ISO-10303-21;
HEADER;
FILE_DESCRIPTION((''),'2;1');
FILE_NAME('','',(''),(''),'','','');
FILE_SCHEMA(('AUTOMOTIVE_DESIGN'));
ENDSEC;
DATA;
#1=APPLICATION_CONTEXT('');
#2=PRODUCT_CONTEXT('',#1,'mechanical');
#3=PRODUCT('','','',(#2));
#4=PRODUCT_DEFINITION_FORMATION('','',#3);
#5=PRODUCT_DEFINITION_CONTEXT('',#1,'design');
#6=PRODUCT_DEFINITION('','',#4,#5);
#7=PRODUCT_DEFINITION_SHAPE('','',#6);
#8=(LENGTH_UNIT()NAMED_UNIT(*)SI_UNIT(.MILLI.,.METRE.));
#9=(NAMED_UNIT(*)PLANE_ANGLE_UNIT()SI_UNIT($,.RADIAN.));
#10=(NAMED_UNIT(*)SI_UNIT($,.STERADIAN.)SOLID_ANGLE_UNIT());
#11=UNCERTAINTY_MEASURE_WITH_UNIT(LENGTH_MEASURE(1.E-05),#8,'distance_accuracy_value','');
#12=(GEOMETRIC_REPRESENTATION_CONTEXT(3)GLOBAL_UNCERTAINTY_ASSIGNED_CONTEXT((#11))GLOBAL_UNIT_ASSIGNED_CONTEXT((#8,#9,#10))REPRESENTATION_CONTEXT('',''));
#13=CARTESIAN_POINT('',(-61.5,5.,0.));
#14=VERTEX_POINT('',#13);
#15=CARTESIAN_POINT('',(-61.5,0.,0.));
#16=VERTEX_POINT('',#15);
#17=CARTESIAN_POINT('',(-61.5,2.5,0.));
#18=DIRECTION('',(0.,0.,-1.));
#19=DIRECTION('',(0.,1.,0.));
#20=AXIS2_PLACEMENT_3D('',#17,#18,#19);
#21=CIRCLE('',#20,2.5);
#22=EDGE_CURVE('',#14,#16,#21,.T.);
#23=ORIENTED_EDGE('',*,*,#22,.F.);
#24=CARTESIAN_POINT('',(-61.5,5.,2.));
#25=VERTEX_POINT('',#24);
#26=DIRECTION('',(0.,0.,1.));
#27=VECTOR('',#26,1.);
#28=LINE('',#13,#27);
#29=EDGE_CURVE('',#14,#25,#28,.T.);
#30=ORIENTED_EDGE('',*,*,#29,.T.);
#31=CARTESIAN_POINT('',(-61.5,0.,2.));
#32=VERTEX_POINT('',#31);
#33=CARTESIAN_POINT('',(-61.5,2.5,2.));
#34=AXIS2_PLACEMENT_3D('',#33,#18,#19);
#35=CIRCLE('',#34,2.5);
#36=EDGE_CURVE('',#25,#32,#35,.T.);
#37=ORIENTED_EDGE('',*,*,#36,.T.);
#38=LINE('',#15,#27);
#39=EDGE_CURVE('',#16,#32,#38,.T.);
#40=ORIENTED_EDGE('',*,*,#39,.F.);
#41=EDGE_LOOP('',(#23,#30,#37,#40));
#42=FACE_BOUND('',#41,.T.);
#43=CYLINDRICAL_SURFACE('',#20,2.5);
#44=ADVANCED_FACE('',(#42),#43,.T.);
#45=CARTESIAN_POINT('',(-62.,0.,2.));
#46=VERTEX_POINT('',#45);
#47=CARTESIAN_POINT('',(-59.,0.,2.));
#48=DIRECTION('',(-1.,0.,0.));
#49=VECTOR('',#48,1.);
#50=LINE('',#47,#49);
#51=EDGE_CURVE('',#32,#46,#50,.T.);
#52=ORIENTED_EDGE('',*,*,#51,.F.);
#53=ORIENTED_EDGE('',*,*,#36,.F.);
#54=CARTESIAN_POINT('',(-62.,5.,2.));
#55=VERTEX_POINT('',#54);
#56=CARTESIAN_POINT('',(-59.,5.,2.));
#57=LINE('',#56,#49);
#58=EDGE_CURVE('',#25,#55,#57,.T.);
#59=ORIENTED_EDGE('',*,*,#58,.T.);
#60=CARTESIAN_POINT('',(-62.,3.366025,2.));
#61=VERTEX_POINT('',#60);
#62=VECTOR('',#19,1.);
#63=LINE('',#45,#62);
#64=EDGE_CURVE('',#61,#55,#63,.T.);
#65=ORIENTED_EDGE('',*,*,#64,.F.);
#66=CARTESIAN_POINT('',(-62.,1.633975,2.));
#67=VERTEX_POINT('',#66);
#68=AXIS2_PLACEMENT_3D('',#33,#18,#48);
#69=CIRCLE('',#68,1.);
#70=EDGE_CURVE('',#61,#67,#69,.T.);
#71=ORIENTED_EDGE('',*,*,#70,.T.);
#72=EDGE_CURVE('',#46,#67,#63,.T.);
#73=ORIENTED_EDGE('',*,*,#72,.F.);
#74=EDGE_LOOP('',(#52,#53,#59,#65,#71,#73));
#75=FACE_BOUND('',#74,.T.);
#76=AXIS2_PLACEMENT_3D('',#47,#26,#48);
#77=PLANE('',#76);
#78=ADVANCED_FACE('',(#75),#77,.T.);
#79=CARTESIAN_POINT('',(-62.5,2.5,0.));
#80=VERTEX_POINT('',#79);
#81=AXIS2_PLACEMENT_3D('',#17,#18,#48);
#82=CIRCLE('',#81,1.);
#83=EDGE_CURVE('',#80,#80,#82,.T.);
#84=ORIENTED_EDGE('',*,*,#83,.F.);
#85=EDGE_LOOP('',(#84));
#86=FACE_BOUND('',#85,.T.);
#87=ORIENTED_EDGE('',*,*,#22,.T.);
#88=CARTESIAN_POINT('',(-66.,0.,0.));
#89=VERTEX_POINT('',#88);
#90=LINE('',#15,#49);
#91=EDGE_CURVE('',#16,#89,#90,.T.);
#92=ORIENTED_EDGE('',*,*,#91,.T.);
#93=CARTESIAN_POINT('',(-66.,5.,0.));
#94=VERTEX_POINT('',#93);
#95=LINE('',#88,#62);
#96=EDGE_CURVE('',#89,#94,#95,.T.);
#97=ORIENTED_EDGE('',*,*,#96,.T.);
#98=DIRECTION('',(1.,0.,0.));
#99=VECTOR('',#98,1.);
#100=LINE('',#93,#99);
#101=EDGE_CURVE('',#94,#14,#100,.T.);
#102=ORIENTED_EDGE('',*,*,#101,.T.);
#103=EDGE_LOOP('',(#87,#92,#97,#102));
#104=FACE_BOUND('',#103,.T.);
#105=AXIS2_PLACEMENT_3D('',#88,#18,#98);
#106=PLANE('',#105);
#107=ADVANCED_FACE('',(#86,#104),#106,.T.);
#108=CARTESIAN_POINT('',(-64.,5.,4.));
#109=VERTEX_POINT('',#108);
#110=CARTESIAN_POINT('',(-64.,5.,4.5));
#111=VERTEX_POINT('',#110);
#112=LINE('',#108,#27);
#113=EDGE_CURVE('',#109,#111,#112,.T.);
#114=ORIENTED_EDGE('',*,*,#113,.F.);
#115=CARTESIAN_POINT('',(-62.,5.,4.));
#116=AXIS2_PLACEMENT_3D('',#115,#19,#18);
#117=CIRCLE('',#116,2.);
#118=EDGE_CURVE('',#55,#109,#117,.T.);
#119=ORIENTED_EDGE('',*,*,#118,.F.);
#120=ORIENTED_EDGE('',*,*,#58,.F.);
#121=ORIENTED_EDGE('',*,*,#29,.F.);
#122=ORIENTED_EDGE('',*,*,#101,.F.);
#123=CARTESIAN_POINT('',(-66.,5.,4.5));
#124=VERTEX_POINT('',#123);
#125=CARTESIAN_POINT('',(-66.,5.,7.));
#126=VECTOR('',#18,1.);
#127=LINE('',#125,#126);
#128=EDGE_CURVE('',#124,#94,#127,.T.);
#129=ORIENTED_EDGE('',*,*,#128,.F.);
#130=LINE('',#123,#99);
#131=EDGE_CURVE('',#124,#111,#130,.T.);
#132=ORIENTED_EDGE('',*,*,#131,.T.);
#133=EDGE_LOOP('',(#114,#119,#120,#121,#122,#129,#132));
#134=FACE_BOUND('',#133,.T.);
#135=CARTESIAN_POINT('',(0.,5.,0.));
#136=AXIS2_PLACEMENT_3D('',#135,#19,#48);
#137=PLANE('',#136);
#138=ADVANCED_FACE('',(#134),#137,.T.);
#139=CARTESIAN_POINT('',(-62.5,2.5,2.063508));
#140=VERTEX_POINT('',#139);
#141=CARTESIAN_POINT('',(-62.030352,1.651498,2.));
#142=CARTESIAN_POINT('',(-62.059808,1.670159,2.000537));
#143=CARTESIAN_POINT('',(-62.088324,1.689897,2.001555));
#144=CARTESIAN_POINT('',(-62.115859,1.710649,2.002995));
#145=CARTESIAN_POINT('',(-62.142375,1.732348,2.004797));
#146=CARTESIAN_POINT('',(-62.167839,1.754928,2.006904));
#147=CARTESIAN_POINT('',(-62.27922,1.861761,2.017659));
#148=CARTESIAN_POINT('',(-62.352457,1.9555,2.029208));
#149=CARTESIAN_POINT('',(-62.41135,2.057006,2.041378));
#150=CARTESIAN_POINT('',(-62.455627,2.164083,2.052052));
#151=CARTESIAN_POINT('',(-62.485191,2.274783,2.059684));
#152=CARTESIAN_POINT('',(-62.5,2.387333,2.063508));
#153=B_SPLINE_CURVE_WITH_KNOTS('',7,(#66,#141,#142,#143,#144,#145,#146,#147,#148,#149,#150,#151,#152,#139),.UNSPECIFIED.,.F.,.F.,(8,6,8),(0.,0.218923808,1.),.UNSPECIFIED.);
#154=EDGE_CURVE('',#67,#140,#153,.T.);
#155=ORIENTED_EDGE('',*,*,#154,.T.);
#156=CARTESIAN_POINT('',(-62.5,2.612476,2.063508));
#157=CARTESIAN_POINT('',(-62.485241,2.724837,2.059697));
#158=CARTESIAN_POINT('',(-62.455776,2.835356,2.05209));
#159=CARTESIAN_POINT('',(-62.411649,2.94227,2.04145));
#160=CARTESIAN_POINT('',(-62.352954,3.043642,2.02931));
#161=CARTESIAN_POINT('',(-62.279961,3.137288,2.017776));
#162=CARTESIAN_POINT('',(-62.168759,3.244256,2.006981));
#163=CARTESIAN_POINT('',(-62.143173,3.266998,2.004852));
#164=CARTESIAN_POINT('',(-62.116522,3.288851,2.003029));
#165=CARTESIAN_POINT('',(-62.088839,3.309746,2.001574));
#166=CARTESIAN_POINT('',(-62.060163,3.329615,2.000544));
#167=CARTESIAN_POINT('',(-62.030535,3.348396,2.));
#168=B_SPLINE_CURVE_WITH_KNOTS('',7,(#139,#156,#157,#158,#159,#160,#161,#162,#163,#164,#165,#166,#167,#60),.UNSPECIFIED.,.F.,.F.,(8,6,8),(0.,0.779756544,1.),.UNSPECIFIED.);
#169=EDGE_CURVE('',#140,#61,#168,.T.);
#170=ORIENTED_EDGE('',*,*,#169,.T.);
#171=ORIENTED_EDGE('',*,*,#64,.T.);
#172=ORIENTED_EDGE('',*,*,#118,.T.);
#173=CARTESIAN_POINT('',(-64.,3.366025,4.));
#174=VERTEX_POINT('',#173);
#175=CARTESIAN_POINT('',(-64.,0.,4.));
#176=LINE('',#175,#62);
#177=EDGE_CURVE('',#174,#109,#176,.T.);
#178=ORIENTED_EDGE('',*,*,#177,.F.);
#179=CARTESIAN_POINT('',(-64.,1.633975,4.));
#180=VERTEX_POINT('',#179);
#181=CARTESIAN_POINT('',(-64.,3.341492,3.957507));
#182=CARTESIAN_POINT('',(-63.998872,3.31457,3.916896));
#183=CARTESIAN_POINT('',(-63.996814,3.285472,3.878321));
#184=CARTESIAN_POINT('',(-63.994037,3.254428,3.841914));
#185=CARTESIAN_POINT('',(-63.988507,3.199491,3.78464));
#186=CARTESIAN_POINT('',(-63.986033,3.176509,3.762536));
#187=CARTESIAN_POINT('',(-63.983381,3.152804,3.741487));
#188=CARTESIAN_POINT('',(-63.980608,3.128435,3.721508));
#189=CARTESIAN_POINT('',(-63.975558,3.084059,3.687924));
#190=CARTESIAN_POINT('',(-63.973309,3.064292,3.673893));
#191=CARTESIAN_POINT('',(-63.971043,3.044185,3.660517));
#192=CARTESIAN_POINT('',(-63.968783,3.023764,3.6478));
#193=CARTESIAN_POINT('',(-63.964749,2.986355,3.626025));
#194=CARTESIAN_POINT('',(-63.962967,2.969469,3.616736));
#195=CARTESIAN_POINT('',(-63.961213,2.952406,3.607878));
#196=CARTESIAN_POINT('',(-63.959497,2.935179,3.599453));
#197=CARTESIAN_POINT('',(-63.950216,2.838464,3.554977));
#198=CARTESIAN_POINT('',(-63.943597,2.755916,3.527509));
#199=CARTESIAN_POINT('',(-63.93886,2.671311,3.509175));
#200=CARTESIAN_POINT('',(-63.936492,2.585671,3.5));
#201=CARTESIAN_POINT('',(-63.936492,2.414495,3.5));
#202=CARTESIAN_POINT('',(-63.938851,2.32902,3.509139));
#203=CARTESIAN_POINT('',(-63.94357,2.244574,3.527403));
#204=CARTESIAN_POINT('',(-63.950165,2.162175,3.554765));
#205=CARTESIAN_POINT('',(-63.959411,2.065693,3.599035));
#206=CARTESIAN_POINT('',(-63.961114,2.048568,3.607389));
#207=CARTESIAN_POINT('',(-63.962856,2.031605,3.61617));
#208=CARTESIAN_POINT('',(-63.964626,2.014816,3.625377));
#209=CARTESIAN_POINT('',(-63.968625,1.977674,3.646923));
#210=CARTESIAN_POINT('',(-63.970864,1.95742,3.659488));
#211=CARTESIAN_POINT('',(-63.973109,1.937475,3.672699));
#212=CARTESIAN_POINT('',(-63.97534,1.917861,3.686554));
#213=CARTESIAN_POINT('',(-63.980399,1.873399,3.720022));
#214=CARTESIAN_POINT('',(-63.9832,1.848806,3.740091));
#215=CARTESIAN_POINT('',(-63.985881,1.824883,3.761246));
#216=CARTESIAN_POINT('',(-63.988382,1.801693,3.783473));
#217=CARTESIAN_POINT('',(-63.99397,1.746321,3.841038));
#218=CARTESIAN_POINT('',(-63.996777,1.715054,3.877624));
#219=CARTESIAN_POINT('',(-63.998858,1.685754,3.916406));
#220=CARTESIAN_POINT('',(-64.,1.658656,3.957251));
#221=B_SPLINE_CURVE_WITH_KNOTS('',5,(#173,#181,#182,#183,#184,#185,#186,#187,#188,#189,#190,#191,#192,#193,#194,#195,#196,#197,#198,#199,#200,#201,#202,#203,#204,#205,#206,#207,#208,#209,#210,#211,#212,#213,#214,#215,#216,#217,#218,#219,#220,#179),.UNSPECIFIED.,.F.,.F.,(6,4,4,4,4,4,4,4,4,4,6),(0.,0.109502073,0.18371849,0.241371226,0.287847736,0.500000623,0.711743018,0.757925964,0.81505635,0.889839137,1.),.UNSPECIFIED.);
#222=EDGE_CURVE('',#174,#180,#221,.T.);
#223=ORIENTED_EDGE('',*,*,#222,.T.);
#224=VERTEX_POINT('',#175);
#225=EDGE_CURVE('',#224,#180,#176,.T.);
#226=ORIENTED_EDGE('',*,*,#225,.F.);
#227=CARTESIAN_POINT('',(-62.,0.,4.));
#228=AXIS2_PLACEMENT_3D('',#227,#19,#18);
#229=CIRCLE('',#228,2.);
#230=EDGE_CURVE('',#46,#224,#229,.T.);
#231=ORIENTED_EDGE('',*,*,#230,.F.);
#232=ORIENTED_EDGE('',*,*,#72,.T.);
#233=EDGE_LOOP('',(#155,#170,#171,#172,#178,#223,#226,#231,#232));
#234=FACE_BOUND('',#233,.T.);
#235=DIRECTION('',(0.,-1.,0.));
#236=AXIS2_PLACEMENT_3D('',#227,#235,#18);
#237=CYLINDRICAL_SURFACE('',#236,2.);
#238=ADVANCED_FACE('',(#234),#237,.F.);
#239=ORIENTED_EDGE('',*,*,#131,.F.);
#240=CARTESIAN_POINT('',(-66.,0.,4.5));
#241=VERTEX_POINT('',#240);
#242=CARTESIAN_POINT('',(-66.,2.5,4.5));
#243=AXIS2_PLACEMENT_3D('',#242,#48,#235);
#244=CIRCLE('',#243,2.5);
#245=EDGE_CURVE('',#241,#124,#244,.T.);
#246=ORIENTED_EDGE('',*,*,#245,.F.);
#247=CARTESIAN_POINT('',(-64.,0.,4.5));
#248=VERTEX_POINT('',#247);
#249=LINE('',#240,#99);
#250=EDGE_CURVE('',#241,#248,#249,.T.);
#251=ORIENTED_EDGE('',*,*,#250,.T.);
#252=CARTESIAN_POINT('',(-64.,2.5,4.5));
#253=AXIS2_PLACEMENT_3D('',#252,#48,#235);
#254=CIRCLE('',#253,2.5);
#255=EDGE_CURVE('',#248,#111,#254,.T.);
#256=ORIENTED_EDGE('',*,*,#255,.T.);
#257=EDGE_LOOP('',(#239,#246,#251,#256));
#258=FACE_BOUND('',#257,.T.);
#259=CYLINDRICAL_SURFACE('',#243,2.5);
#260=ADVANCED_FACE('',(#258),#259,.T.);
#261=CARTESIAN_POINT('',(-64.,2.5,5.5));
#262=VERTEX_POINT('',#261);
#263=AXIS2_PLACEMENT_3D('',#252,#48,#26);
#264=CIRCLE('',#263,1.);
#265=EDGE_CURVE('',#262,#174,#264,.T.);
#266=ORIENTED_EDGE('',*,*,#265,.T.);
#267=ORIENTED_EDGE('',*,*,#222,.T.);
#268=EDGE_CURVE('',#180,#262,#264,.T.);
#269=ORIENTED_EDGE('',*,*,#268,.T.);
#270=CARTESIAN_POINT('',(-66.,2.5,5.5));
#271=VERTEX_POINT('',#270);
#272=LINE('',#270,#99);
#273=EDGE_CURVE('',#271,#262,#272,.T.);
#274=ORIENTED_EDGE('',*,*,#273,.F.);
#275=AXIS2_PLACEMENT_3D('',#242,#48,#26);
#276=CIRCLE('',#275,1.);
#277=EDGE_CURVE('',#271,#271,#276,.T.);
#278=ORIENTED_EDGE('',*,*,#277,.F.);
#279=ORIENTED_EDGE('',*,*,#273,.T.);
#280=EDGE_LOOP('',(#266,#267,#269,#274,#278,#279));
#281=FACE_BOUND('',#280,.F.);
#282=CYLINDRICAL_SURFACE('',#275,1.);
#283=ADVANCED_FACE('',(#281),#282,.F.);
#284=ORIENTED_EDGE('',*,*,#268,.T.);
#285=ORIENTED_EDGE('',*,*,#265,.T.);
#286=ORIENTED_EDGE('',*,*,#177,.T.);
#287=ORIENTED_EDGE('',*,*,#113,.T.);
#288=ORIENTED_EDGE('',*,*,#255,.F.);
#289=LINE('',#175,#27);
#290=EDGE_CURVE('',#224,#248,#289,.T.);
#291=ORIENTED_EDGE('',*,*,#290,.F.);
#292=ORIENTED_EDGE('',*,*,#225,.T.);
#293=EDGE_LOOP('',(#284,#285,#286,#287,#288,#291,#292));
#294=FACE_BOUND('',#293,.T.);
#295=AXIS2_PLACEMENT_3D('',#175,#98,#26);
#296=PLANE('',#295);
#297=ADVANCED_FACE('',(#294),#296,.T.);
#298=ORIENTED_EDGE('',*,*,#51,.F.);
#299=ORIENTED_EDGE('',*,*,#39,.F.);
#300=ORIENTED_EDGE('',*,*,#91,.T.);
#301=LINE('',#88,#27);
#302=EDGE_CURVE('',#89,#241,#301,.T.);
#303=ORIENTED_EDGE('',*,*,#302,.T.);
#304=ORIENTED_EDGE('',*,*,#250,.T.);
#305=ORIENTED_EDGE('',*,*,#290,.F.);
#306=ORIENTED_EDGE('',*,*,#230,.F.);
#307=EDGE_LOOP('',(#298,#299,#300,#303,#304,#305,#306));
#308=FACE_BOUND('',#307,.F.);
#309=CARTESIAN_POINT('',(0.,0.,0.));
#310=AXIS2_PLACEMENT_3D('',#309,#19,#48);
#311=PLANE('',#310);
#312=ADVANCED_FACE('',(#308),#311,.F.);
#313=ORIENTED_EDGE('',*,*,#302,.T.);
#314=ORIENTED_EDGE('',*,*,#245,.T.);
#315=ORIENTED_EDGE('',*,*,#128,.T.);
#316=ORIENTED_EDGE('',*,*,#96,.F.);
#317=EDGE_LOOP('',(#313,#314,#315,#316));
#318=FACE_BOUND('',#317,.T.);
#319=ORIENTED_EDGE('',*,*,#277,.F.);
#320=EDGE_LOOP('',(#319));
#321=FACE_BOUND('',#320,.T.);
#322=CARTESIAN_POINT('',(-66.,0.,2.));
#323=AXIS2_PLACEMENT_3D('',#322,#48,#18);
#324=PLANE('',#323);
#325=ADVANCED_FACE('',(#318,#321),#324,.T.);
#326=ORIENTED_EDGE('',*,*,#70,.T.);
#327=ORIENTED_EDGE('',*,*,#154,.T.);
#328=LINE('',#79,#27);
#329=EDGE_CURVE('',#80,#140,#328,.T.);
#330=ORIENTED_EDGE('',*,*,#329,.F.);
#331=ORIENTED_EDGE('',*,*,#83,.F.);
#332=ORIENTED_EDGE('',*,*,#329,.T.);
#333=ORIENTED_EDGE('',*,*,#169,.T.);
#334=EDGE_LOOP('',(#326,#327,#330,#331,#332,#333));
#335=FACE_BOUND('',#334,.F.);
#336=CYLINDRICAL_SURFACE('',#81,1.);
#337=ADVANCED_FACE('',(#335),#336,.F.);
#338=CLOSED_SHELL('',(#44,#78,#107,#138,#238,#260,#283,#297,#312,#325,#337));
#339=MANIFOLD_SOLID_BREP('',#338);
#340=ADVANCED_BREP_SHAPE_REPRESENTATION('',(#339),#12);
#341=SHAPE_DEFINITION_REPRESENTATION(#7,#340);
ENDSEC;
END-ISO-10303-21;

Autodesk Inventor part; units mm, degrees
ref_plane "YZ Plane" through (0, 0, 0) normal (1, 0, 0) x (0, 1, 0)
ref_plane "XZ Plane" through (0, 0, 0) normal (0, 1, 0) x (-1, 0, 0)
ref_plane "XY Plane" through (0, 0, 0) normal (0, 0, 1) x (1, 0, 0)
sketch "Esboço1" plane through (0, 0, 0) normal (0, 1, 0) x (-1, 0, 0)
  line L0 (66, 0) -> (59, 0)
  line L1 (59, 0) -> (59, 2)
  line L2 (59, 2) -> (62, 2)
  line L3 (66, 2) -> (66, 0)
  line L4 (66, 0) -> (64, 0)
  line L5 (64, 4) -> (64, 7)
  line L6 (64, 7) -> (66, 7)
  line L7 (66, 7) -> (66, 0)
  arc A0 (62, 2) -> (64, 4) centre (62, 4) ccw
  point P0 (0, 0)
  dimension "d0" = 2
extrude "Extrusão1" add sketch "Esboço1" along normal blind 5
sketch "Esboço2" plane through (-59, 0, 0) normal (0, 0, -1) x (-1, 0, 0)
  circle A0 centre (2.5, 2.5) radius 1
  line L0 (0, 0) -> (7, 0) projected
  line L1 (0, 0) -> (0, 5) projected
  arc A1 (2.5, 5) -> (2.5, 0) centre (2.5, 2.5) ccw
  line L2 (3, 0) -> (0, 0) projected
  line L3 (3, 5) -> (0, 5) projected
  line L4 (2.5, 0) -> (0, 0)
  line L5 (0, 0) -> (0, 5)
  line L6 (0, 5) -> (2.5, 5)
  point P0 (-59, 0)
  point P1 (0, 2.5)
  dimension "d3" = 2
  dimension "d4" = 2.5
  dimension "d5" = 2.5
extrude "Extrusão2" cut sketch "Esboço2" against normal blind 4.25
sketch "Esboço3" plane through (-66, 0, 0) normal (-1, 0, 0) x (0, 0, 1)
  circle A0 centre (4.5, 2.5) radius 1
  line L0 (0, 5) -> (7, 5) projected
  line L1 (7, 0) -> (7, 5) projected
  arc A1 (4.5, 0) -> (4.5, 5) centre (4.5, 2.5) ccw
  line L2 (7, 0) -> (4, 0) projected
  line L3 (7, 5) -> (4, 5) projected
  line L4 (4.5, 0) -> (7, 0)
  line L5 (7, 0) -> (7, 5)
  line L6 (7, 5) -> (4.5, 5)
  point P0 (0, 0)
  point P1 (4.5, 5)
  point P2 (7, 2.5)
  dimension "d8" = 2.5
  dimension "d9" = 2.5
extrude "Extrusão3" cut sketch "Esboço3" against normal blind 4.25
sketch "Esboço4" plane through (-66, 0, 0) normal (0, 0, -1) x (-1, 0, 0)
  line L0 (0, -91.1) -> (0, 5) projected
  line L1 (-4.5, 0) -> (0, 0) projected
  line L2 (-4.5, 5) -> (0, 5) projected
  point P0 (-66, 0)
properties part number "conector 90°"
